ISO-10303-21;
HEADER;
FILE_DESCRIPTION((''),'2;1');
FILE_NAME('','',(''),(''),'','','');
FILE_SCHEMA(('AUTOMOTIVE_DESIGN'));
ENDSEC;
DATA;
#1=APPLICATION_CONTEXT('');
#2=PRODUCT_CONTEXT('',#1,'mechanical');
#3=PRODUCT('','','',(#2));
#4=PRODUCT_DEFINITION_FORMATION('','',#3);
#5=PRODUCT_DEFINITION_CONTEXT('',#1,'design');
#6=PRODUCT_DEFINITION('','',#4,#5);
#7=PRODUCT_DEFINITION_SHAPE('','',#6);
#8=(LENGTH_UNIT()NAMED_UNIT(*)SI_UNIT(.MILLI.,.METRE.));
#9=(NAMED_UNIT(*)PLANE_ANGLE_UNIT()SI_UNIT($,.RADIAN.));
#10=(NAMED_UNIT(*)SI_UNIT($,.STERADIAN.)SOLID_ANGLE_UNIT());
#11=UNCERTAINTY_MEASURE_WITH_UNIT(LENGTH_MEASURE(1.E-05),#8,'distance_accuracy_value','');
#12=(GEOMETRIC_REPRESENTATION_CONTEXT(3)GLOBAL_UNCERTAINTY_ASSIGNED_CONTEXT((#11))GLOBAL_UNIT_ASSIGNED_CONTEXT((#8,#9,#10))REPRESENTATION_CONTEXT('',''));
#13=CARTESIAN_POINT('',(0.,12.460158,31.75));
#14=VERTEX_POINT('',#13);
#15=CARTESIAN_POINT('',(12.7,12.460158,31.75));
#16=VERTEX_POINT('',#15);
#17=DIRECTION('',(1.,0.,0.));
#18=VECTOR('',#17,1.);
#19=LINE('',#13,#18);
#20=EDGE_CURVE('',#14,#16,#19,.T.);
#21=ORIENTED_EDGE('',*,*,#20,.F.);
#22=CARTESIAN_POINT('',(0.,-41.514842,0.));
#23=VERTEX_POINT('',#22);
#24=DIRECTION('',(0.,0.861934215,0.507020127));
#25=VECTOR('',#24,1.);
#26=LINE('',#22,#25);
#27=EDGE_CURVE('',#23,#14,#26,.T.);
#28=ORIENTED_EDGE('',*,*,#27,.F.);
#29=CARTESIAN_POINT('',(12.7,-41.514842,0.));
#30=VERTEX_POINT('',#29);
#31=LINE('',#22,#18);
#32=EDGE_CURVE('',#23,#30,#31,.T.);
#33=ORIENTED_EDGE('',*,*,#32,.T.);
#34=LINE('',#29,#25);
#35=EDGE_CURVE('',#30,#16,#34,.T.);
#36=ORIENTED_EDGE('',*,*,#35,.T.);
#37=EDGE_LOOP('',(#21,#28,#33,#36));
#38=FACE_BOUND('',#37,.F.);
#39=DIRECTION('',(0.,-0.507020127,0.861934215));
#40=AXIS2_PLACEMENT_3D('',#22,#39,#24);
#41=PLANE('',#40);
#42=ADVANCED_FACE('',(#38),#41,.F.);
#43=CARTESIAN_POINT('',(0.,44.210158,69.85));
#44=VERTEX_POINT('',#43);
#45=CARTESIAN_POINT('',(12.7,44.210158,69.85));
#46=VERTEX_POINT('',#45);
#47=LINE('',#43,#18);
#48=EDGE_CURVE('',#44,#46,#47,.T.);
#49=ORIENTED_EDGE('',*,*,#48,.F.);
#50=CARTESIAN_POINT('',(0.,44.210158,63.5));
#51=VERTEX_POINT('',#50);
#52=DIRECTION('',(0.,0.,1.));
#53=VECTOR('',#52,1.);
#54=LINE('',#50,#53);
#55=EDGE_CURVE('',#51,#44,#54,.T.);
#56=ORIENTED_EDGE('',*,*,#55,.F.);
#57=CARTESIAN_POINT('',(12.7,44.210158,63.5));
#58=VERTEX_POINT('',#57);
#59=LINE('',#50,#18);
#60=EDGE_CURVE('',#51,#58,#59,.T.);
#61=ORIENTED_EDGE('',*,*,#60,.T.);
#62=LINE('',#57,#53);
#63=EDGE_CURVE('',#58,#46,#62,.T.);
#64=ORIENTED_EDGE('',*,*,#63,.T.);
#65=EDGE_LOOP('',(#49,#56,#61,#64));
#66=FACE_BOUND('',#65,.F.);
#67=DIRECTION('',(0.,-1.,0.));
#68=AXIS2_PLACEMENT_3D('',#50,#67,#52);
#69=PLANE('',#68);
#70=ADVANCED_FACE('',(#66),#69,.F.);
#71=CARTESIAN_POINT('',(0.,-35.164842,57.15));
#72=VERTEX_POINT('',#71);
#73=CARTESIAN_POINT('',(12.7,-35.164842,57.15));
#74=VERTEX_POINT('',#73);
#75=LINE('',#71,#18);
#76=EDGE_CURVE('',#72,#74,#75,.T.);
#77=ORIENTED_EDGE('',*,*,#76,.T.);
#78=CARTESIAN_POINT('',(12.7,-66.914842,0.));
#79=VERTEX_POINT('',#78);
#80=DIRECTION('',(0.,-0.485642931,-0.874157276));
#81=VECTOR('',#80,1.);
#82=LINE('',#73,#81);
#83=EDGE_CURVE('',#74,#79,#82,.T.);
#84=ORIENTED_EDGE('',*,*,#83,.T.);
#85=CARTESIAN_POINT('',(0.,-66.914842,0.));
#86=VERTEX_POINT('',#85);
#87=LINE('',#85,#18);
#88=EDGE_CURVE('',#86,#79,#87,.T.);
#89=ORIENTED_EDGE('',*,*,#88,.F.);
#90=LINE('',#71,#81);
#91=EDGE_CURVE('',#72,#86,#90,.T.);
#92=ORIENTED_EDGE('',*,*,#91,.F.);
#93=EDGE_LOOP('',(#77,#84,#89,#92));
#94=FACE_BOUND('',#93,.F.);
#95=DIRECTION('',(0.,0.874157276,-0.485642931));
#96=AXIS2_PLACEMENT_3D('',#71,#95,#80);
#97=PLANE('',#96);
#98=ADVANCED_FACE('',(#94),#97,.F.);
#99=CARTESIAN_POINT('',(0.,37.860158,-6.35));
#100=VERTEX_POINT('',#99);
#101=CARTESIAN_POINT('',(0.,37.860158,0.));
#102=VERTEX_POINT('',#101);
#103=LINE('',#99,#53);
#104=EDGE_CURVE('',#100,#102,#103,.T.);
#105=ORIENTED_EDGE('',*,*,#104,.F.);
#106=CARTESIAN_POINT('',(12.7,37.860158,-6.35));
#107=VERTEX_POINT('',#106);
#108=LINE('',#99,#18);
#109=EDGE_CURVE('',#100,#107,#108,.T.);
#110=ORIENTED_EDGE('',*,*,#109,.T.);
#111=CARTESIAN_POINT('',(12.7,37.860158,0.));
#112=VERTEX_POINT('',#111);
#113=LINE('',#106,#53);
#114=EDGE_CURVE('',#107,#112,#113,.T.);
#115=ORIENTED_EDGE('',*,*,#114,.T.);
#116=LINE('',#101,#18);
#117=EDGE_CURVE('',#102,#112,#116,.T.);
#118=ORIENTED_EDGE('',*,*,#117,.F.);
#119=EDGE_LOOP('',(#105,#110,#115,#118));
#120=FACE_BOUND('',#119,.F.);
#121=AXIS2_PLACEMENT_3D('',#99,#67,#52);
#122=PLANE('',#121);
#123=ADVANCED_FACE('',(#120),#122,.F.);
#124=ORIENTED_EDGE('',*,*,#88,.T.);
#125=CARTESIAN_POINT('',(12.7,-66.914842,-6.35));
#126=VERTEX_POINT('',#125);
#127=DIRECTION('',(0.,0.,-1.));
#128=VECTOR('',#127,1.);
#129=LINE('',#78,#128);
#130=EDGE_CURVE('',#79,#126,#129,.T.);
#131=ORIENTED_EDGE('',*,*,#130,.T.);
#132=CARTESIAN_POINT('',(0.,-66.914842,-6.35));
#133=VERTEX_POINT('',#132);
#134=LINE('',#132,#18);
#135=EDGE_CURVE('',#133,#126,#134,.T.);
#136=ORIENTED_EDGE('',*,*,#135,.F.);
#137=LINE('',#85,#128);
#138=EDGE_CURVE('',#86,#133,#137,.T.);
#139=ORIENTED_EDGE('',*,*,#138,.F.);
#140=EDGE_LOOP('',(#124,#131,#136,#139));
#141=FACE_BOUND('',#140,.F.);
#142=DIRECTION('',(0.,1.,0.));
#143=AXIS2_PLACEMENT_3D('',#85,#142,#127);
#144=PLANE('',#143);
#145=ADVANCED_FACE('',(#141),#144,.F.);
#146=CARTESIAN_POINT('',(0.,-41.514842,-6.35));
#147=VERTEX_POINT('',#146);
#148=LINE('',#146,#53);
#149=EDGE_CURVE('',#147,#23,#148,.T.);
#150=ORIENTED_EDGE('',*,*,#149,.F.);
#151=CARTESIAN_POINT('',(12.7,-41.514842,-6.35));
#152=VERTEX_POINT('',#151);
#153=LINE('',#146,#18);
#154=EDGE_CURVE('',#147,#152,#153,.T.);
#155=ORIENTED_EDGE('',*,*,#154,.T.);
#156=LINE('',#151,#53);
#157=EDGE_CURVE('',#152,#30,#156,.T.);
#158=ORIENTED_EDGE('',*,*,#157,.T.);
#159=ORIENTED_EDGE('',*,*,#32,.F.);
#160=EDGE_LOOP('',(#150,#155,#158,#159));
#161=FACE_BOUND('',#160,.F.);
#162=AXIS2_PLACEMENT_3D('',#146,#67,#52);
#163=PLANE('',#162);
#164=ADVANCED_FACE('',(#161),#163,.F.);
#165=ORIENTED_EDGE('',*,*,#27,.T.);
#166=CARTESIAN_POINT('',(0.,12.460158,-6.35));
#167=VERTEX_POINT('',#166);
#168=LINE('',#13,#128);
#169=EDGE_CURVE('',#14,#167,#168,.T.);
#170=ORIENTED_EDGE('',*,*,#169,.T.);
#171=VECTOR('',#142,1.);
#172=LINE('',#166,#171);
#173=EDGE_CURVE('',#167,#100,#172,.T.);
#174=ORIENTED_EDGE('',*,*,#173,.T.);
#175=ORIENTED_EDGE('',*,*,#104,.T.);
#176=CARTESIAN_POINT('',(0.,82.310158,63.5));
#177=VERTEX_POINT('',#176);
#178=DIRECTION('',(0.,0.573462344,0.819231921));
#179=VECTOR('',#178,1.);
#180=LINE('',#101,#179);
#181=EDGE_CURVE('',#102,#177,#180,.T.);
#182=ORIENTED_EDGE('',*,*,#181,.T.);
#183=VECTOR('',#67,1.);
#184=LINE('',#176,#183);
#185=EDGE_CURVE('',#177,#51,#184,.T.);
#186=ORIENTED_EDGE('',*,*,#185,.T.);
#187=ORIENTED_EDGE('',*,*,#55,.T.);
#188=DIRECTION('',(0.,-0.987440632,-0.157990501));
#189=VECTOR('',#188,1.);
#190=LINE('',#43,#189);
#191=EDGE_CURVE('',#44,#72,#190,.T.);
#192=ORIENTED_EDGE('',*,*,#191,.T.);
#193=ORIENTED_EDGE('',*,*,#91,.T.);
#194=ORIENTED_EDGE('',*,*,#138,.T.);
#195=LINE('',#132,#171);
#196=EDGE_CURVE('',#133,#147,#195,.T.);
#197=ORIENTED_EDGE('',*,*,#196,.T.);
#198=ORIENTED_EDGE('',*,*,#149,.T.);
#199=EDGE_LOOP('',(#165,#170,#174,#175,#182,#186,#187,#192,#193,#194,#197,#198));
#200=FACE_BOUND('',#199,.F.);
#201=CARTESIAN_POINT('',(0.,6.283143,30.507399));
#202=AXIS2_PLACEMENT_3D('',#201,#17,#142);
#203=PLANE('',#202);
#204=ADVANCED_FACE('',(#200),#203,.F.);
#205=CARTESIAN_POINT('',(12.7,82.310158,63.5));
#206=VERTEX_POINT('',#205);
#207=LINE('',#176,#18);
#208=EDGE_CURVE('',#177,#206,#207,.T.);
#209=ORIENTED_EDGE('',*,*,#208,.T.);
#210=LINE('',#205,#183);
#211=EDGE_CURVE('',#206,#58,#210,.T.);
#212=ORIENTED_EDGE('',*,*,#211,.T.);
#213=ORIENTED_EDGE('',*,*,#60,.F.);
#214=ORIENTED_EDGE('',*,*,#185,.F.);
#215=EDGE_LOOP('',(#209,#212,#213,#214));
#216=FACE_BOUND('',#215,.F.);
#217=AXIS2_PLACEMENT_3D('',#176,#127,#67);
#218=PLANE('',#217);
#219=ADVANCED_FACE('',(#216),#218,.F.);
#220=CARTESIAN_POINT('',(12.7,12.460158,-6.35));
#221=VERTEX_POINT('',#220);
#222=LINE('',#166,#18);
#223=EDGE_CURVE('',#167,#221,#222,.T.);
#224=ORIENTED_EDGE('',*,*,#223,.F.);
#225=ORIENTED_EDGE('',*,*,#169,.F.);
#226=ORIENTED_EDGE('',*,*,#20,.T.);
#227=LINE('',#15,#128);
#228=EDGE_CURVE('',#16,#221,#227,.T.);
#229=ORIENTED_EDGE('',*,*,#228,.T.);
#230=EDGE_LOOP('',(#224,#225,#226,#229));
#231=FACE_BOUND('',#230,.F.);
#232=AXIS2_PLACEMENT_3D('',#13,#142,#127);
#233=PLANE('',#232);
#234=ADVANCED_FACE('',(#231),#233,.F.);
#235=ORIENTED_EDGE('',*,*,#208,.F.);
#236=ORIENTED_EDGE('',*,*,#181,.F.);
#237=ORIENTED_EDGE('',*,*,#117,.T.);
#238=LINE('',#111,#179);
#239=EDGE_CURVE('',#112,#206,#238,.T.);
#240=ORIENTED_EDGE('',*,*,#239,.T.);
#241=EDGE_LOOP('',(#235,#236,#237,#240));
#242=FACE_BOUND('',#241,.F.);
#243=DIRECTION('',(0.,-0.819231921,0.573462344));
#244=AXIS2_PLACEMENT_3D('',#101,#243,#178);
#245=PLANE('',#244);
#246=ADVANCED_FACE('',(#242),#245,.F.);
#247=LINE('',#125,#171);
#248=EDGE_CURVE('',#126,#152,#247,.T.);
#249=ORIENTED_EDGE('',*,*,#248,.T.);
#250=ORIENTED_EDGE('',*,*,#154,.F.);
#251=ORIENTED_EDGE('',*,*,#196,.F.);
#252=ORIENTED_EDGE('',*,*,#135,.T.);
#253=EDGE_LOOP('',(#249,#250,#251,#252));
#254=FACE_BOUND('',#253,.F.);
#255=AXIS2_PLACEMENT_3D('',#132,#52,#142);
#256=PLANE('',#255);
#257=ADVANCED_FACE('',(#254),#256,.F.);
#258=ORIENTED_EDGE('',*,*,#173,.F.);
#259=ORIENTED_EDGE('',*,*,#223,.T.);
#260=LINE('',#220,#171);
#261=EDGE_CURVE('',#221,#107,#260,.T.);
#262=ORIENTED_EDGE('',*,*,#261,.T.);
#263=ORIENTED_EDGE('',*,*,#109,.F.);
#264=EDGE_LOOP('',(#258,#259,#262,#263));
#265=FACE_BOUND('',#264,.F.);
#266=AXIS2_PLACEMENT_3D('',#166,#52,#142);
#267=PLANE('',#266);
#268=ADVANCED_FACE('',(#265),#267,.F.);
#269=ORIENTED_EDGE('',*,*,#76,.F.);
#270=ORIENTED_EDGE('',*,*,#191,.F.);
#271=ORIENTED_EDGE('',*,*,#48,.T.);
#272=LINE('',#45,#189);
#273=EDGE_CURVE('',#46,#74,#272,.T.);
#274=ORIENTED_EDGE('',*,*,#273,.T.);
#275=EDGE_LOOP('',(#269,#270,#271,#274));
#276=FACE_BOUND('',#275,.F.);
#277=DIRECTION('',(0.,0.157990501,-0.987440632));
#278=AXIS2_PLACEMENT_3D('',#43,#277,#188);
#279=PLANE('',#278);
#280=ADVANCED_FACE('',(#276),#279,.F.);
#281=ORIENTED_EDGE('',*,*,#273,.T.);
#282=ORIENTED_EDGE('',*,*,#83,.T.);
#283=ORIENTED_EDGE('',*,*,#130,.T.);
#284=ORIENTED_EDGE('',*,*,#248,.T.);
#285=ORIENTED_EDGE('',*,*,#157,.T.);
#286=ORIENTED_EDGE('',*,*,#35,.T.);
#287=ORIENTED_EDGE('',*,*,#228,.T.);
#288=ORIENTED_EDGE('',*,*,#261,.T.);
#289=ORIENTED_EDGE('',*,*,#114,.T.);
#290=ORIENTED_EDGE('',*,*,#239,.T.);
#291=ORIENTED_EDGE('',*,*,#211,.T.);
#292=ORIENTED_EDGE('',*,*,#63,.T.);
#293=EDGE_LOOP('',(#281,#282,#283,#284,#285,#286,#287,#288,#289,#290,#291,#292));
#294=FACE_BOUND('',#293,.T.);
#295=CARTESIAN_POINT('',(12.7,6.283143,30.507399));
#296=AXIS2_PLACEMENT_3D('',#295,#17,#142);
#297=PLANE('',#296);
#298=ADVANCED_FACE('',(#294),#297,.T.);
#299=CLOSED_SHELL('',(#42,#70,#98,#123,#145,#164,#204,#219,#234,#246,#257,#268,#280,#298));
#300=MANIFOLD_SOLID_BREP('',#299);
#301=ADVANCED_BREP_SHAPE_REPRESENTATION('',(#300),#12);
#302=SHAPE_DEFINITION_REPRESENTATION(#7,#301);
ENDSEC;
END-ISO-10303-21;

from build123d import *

# Parameters (mm, degrees)
F1_DEPTH = 12.7


with BuildPart() as f1:
    # F0 (on Right) → F1 (new body)
    with BuildSketch(Plane.YZ):
        Polygon((-66.914842, 0), (-66.914842, -6.35), (-41.514842, -6.35), (-41.514842, 0), (12.460158, 31.75), (12.460158, 0), (12.460158, -6.35), (37.860158, -6.35), (37.860158, 0), (82.310158, 63.5), (44.210158, 63.5), (44.210158, 69.85), (-35.164842, 57.15), align=None)
    extrude(amount=F1_DEPTH)


solid = f1.part
